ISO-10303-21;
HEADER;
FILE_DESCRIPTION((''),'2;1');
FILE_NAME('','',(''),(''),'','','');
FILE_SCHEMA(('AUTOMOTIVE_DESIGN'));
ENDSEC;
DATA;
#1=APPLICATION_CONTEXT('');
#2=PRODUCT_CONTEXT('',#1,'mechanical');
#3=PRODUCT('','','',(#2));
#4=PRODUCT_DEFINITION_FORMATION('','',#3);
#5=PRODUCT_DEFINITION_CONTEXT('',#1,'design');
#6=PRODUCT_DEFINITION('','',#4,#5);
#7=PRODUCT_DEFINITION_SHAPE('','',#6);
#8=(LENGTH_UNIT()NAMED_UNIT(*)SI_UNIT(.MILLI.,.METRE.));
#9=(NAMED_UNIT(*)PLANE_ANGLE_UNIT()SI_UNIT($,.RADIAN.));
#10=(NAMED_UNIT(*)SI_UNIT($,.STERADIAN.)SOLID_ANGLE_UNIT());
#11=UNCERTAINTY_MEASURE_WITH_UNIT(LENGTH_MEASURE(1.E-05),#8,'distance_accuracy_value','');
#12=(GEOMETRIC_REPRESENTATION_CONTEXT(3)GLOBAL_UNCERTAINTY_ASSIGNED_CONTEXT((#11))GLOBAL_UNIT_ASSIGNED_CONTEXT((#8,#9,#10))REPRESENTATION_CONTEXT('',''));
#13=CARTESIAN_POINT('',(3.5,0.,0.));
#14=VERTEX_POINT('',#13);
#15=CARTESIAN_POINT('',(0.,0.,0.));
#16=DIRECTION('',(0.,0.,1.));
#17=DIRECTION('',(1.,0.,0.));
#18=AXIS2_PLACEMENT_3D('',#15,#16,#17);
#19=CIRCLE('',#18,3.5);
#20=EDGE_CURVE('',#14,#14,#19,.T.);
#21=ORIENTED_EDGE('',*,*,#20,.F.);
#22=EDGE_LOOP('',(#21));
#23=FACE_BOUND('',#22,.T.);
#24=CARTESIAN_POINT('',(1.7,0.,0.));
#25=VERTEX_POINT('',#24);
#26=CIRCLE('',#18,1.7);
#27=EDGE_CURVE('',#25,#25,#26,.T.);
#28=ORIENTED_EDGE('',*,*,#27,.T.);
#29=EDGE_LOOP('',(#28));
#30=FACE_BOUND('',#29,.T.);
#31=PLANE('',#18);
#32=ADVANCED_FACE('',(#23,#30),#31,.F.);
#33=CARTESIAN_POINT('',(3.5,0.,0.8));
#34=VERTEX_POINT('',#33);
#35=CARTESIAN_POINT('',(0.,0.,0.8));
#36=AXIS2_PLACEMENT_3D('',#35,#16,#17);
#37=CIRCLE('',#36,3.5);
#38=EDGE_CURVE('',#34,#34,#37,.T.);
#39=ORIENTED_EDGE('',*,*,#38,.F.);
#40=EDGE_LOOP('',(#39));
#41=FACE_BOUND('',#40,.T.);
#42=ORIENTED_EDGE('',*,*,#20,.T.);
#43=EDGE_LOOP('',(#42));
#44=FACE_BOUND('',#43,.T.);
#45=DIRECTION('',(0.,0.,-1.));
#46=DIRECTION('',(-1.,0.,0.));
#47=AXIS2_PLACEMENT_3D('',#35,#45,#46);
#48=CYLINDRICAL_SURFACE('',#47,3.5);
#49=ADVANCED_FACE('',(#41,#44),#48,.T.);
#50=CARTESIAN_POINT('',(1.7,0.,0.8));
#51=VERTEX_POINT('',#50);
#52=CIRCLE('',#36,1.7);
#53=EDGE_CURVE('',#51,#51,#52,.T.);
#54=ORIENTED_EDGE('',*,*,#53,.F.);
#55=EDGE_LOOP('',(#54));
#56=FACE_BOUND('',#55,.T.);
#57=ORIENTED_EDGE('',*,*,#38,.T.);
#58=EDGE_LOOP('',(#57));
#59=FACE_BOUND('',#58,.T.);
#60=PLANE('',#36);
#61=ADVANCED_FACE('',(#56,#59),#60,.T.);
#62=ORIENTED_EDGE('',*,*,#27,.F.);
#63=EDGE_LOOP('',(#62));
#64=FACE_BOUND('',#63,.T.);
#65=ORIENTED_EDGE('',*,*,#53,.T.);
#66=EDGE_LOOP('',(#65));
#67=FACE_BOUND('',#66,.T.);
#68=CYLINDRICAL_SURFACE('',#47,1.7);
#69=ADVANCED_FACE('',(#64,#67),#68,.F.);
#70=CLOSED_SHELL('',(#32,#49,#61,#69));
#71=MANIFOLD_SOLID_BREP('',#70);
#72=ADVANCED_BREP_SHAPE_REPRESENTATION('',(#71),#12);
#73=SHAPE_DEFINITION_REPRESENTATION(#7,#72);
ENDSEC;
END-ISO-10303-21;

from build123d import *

# Parameters (mm, degrees)
ESQUISSE1_R        = 3.5
ESQUISSE1_R_2      = 1.7
BOSS_EXTRU_1_DEPTH = 0.8


with BuildPart() as part:
    # Esquisse1 → Boss.-Extru.1 (new body)
    with BuildSketch(Plane.XY):
        Circle(ESQUISSE1_R)
        Circle(ESQUISSE1_R_2, mode=Mode.SUBTRACT)
    extrude(amount=BOSS_EXTRU_1_DEPTH)


solid = part.part
